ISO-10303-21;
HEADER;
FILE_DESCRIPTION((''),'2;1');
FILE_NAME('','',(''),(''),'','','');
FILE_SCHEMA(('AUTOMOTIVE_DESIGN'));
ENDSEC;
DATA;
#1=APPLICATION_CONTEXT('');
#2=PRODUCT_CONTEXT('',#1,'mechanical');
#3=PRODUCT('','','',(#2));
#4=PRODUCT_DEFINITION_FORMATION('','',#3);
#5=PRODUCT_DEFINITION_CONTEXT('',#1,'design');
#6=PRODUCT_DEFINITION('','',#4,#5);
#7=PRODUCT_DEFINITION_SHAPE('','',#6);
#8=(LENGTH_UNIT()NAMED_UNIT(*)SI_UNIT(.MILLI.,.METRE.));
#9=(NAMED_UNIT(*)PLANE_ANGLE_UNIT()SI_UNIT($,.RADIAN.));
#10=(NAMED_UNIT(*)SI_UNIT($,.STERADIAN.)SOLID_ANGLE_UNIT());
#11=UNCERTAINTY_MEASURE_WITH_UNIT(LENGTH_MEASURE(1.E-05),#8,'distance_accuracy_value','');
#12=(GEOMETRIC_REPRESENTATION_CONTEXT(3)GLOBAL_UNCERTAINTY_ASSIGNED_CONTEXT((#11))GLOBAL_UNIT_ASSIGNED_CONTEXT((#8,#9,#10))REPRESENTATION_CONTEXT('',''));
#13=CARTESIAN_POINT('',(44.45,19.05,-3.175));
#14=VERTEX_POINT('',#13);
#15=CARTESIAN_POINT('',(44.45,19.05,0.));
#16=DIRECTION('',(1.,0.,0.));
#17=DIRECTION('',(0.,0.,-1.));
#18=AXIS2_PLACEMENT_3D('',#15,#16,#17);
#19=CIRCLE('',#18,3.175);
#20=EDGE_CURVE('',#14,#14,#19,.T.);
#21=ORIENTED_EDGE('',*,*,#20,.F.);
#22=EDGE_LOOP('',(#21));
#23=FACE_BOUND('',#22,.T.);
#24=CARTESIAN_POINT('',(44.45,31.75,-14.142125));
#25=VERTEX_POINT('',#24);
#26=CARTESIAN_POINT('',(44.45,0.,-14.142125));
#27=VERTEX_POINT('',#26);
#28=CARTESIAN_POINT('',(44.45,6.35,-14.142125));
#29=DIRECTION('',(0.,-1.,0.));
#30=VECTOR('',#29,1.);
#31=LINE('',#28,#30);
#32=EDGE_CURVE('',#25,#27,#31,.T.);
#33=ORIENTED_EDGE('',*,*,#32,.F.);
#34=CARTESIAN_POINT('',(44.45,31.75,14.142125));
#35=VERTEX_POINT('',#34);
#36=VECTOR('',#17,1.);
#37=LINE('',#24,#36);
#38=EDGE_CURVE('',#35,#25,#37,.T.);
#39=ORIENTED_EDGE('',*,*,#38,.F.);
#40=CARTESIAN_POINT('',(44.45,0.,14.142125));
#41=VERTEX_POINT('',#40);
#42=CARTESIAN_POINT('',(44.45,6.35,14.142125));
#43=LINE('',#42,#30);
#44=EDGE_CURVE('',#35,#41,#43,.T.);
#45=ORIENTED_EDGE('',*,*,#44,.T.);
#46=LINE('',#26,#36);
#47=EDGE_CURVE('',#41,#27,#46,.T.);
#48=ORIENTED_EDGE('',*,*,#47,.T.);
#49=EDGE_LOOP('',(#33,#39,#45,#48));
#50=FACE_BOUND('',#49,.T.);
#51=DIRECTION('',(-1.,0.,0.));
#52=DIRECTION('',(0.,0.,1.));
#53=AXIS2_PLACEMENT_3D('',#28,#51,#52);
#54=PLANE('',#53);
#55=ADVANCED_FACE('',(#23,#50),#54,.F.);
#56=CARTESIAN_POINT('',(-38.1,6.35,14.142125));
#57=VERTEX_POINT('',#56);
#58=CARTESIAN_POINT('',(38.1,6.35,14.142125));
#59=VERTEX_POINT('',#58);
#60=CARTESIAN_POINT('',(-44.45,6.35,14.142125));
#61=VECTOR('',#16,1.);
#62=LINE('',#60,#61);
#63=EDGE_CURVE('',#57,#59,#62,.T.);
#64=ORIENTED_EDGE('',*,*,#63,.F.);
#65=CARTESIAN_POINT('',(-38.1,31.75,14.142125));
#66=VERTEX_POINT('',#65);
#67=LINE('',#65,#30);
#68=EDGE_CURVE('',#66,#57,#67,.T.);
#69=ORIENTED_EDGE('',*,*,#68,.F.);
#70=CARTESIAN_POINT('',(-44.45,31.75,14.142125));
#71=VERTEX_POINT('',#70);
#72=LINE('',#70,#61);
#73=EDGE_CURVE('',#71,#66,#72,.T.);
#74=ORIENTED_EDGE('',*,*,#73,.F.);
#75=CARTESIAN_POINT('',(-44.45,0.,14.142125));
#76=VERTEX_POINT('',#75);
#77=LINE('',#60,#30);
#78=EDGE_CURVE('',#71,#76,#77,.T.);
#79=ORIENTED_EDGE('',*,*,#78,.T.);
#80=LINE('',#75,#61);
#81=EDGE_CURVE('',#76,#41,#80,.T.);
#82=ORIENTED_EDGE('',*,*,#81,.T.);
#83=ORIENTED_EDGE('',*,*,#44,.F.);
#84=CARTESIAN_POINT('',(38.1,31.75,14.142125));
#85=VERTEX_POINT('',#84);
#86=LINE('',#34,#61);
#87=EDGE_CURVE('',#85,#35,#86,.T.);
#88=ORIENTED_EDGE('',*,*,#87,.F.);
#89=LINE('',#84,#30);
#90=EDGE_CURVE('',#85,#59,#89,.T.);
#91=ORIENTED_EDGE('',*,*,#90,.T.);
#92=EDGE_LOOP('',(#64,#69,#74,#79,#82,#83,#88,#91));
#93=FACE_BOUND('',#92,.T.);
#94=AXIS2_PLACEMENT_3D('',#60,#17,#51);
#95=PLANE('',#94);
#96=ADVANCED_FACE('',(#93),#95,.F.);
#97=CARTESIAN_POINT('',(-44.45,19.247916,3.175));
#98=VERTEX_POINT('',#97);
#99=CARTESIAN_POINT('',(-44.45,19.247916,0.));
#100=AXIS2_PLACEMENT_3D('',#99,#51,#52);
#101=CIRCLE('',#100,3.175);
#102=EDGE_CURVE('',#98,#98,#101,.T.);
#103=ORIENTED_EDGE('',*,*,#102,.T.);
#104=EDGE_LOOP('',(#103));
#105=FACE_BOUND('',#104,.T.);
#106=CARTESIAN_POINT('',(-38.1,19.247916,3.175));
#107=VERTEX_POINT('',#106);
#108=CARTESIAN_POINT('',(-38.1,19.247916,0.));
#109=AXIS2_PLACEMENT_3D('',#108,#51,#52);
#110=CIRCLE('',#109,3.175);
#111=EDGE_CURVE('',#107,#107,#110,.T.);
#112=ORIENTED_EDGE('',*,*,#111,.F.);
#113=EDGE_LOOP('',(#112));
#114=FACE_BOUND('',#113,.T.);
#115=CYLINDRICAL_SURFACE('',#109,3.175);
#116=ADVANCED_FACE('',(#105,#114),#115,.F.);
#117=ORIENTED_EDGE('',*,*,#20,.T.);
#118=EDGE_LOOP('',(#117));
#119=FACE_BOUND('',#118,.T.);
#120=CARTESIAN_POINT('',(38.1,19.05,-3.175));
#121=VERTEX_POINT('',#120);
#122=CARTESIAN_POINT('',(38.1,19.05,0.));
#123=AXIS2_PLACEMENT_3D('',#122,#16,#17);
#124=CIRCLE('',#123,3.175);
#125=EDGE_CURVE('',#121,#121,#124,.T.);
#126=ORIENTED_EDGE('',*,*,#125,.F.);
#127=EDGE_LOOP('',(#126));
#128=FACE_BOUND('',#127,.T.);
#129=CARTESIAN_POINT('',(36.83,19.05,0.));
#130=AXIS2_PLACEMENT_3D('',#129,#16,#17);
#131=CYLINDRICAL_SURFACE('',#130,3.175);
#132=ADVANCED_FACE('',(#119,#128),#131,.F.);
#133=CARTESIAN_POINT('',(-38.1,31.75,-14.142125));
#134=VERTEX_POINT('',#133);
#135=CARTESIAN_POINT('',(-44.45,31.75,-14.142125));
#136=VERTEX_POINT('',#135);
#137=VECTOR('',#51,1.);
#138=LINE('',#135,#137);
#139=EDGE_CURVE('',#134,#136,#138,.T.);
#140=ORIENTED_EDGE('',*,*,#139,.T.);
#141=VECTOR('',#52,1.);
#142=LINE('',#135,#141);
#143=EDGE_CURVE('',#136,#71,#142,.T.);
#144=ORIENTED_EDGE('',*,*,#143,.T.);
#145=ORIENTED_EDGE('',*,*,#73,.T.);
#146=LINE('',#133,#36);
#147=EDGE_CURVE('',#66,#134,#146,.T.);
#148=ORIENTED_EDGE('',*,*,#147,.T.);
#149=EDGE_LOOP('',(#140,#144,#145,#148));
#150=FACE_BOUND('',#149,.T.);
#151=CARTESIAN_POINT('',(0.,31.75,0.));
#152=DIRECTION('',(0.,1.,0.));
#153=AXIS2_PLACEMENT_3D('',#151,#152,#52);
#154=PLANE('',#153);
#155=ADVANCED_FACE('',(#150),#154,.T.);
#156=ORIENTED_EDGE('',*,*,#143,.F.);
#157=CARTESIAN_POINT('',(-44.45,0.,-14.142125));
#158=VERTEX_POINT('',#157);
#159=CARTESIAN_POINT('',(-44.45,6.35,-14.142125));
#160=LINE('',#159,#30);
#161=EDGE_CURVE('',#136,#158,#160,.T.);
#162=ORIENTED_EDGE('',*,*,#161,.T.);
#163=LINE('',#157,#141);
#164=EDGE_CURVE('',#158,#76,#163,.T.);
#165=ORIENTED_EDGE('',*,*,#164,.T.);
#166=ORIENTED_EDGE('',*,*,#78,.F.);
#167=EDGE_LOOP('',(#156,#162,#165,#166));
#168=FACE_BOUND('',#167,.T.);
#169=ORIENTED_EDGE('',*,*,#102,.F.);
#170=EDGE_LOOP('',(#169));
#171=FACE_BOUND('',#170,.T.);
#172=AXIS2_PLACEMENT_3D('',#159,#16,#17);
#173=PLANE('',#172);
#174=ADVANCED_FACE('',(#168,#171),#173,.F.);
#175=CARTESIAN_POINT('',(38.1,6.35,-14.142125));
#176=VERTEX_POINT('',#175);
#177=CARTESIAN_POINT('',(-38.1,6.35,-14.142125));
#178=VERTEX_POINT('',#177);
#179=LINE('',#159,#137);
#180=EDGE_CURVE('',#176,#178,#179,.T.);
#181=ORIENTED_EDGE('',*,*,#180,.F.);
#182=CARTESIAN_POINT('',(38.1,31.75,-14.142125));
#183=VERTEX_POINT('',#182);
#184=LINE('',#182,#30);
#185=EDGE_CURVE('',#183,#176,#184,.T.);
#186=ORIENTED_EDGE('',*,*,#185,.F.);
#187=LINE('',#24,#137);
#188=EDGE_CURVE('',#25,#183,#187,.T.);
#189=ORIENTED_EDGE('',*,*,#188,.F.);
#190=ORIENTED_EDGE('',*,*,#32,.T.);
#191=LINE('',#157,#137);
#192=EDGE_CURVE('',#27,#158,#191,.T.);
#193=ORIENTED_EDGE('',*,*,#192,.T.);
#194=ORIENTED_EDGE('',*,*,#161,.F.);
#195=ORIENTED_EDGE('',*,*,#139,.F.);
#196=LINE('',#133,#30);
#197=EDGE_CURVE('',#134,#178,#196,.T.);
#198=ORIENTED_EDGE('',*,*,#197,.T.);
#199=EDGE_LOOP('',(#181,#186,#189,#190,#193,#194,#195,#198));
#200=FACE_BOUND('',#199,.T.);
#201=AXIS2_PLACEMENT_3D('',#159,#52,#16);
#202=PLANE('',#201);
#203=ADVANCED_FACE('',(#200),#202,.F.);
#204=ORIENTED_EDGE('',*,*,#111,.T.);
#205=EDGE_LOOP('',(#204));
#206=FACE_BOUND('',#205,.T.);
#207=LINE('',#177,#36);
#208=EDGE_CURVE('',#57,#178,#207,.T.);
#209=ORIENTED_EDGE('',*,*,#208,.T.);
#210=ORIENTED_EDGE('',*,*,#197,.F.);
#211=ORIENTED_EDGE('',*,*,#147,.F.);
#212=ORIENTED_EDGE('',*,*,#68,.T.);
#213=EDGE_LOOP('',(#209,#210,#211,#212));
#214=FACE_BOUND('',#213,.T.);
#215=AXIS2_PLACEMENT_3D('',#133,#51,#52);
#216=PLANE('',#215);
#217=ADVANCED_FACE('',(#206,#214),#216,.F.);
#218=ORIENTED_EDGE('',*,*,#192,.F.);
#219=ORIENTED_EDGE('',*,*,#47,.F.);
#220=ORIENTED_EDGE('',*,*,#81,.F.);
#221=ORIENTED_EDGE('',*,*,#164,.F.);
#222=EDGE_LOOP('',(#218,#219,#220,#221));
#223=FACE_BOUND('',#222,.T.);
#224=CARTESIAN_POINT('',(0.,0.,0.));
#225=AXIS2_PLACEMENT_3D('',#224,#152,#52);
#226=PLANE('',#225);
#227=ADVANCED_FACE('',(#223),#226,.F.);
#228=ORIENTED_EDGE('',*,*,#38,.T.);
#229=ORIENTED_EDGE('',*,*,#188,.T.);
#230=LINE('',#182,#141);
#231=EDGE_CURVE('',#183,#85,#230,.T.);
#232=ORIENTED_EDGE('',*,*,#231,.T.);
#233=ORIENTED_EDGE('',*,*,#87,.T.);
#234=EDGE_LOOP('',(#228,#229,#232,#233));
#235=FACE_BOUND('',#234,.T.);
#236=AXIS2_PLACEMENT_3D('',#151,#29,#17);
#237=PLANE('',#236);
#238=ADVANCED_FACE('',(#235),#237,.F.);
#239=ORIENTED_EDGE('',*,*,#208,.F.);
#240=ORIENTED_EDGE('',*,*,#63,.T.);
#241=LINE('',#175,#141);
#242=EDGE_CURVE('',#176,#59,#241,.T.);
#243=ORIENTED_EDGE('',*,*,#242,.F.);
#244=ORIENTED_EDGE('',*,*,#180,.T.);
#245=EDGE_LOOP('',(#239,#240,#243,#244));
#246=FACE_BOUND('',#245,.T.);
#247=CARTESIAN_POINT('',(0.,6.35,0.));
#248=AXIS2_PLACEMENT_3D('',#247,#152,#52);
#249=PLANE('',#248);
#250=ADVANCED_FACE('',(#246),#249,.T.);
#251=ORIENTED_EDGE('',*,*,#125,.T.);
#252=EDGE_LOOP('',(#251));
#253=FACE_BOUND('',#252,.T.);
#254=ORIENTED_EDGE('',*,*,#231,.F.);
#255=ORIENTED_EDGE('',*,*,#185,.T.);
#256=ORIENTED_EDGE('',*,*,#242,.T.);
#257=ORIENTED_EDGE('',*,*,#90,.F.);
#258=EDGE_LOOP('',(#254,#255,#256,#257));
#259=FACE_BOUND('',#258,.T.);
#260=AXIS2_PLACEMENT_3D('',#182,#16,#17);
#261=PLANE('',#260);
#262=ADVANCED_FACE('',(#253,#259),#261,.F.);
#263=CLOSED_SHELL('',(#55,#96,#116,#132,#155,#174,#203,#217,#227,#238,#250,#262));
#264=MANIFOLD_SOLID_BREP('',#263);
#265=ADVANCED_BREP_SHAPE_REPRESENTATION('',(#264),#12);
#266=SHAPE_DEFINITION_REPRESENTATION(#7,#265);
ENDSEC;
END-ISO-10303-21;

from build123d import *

# Parameters (mm, degrees)
SKETCH1_W           = 88.9
SKETCH1_H           = 28.284249084
BOSS_EXTRUDE1_DEPTH = 6.35
SKETCH2_W           = 6.35
SKETCH2_H           = 28.284249084
BOSS_EXTRUDE2_DEPTH = 25.4
SKETCH3_R           = 3.175
CUT_EXTRUDE1_DEPTH  = 6.35
SKETCH4_R           = 3.175
CUT_EXTRUDE2_DEPTH  = 7.62


with BuildPart() as part:
    # Sketch1 → Boss-Extrude1 (new body)
    with BuildSketch(Plane(origin=(0, 0, 0), x_dir=(1, 0, 0), z_dir=(0, 1, 0))):
        Rectangle(SKETCH1_W, SKETCH1_H)
    extrude(amount=BOSS_EXTRUDE1_DEPTH)

    # Sketch2 → Boss-Extrude2 (add)
    with BuildSketch(Plane(origin=(0, 6.35, 0), x_dir=(1, 0, 0), z_dir=(0, 1, 0))):
        with Locations((-41.275, 0)):
            Rectangle(SKETCH2_W, SKETCH2_H)
        with Locations((41.275, 0)):
            Rectangle(SKETCH2_W, SKETCH2_H)
    extrude(amount=BOSS_EXTRUDE2_DEPTH)

    # Sketch3 → Cut-Extrude1 (cut)
    with BuildSketch(Plane.ZY.offset(44.45)):
        with Locations((0, 19.247915812)):
            Circle(SKETCH3_R)
    extrude(amount=-CUT_EXTRUDE1_DEPTH, mode=Mode.SUBTRACT)

    # Sketch4 → Cut-Extrude2 (cut)
    with BuildSketch(Plane(origin=(44.45, 0, 0), x_dir=(0, 0, -1), z_dir=(1, 0, 0))):
        with Locations((0, 19.05)):
            Circle(SKETCH4_R)
    extrude(amount=-CUT_EXTRUDE2_DEPTH, mode=Mode.SUBTRACT)


solid = part.part
